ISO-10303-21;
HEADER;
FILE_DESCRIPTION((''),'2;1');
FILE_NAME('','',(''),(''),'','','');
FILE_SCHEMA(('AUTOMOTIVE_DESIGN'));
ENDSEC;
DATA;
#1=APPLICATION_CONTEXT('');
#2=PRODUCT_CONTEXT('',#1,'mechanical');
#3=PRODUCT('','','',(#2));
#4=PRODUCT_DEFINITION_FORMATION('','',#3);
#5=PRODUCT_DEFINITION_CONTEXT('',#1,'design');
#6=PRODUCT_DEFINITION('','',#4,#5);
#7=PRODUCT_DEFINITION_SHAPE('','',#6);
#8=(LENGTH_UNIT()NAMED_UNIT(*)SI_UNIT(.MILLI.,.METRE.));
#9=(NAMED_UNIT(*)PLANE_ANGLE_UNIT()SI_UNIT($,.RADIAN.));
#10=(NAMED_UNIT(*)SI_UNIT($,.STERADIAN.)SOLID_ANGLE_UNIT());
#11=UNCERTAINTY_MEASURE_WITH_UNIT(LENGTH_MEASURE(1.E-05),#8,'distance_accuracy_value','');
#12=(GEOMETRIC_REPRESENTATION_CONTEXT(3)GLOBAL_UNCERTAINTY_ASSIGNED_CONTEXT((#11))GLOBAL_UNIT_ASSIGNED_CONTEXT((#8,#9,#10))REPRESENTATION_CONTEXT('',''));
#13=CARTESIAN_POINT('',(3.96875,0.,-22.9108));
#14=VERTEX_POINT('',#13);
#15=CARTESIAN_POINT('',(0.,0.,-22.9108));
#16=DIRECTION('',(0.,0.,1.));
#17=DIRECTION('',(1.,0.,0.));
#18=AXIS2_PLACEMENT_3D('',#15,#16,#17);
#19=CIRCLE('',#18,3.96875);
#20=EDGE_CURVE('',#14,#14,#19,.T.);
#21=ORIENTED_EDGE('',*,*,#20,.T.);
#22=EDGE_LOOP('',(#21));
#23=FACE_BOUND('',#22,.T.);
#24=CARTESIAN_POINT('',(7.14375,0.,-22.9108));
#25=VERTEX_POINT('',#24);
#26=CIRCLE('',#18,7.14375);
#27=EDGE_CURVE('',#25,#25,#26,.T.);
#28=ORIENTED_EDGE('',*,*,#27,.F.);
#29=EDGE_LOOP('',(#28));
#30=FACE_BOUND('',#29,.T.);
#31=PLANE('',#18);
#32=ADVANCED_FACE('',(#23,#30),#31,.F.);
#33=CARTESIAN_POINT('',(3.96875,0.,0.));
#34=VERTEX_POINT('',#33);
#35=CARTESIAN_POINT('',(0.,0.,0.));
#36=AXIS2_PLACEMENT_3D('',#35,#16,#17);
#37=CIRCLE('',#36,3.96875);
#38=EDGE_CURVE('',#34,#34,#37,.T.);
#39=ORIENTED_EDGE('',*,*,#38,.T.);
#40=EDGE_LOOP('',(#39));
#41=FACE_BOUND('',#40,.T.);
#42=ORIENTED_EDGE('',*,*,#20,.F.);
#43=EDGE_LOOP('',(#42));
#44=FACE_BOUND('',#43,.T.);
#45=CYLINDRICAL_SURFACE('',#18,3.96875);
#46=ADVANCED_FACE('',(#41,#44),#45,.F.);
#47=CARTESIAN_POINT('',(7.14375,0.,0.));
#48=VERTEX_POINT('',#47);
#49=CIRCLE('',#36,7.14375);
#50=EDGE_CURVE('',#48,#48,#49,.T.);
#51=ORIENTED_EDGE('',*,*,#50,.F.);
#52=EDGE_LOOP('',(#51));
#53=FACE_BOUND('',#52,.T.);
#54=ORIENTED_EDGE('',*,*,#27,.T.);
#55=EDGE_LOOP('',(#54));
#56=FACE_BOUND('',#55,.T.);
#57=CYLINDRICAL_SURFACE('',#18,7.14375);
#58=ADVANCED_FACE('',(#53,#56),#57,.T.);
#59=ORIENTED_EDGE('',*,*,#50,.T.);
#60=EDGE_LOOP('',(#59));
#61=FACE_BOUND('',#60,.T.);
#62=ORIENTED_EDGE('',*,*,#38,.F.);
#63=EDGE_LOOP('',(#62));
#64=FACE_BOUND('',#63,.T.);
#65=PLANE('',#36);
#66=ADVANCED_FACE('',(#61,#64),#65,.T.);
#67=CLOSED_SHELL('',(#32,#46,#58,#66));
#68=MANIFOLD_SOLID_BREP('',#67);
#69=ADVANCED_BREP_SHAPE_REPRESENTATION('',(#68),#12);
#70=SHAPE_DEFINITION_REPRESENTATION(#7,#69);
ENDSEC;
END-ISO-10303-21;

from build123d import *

# Parameters (mm, degrees)
SKETCH1_R           = 7.14375
SKETCH1_R_2         = 3.96875
BOSS_EXTRUDE1_DEPTH = 22.9108


with BuildPart() as part:
    # Sketch1 → Boss-Extrude1 (new body)
    with BuildSketch(Plane.XY):
        Circle(SKETCH1_R)
        Circle(SKETCH1_R_2, mode=Mode.SUBTRACT)
    extrude(amount=-BOSS_EXTRUDE1_DEPTH)


solid = part.part
